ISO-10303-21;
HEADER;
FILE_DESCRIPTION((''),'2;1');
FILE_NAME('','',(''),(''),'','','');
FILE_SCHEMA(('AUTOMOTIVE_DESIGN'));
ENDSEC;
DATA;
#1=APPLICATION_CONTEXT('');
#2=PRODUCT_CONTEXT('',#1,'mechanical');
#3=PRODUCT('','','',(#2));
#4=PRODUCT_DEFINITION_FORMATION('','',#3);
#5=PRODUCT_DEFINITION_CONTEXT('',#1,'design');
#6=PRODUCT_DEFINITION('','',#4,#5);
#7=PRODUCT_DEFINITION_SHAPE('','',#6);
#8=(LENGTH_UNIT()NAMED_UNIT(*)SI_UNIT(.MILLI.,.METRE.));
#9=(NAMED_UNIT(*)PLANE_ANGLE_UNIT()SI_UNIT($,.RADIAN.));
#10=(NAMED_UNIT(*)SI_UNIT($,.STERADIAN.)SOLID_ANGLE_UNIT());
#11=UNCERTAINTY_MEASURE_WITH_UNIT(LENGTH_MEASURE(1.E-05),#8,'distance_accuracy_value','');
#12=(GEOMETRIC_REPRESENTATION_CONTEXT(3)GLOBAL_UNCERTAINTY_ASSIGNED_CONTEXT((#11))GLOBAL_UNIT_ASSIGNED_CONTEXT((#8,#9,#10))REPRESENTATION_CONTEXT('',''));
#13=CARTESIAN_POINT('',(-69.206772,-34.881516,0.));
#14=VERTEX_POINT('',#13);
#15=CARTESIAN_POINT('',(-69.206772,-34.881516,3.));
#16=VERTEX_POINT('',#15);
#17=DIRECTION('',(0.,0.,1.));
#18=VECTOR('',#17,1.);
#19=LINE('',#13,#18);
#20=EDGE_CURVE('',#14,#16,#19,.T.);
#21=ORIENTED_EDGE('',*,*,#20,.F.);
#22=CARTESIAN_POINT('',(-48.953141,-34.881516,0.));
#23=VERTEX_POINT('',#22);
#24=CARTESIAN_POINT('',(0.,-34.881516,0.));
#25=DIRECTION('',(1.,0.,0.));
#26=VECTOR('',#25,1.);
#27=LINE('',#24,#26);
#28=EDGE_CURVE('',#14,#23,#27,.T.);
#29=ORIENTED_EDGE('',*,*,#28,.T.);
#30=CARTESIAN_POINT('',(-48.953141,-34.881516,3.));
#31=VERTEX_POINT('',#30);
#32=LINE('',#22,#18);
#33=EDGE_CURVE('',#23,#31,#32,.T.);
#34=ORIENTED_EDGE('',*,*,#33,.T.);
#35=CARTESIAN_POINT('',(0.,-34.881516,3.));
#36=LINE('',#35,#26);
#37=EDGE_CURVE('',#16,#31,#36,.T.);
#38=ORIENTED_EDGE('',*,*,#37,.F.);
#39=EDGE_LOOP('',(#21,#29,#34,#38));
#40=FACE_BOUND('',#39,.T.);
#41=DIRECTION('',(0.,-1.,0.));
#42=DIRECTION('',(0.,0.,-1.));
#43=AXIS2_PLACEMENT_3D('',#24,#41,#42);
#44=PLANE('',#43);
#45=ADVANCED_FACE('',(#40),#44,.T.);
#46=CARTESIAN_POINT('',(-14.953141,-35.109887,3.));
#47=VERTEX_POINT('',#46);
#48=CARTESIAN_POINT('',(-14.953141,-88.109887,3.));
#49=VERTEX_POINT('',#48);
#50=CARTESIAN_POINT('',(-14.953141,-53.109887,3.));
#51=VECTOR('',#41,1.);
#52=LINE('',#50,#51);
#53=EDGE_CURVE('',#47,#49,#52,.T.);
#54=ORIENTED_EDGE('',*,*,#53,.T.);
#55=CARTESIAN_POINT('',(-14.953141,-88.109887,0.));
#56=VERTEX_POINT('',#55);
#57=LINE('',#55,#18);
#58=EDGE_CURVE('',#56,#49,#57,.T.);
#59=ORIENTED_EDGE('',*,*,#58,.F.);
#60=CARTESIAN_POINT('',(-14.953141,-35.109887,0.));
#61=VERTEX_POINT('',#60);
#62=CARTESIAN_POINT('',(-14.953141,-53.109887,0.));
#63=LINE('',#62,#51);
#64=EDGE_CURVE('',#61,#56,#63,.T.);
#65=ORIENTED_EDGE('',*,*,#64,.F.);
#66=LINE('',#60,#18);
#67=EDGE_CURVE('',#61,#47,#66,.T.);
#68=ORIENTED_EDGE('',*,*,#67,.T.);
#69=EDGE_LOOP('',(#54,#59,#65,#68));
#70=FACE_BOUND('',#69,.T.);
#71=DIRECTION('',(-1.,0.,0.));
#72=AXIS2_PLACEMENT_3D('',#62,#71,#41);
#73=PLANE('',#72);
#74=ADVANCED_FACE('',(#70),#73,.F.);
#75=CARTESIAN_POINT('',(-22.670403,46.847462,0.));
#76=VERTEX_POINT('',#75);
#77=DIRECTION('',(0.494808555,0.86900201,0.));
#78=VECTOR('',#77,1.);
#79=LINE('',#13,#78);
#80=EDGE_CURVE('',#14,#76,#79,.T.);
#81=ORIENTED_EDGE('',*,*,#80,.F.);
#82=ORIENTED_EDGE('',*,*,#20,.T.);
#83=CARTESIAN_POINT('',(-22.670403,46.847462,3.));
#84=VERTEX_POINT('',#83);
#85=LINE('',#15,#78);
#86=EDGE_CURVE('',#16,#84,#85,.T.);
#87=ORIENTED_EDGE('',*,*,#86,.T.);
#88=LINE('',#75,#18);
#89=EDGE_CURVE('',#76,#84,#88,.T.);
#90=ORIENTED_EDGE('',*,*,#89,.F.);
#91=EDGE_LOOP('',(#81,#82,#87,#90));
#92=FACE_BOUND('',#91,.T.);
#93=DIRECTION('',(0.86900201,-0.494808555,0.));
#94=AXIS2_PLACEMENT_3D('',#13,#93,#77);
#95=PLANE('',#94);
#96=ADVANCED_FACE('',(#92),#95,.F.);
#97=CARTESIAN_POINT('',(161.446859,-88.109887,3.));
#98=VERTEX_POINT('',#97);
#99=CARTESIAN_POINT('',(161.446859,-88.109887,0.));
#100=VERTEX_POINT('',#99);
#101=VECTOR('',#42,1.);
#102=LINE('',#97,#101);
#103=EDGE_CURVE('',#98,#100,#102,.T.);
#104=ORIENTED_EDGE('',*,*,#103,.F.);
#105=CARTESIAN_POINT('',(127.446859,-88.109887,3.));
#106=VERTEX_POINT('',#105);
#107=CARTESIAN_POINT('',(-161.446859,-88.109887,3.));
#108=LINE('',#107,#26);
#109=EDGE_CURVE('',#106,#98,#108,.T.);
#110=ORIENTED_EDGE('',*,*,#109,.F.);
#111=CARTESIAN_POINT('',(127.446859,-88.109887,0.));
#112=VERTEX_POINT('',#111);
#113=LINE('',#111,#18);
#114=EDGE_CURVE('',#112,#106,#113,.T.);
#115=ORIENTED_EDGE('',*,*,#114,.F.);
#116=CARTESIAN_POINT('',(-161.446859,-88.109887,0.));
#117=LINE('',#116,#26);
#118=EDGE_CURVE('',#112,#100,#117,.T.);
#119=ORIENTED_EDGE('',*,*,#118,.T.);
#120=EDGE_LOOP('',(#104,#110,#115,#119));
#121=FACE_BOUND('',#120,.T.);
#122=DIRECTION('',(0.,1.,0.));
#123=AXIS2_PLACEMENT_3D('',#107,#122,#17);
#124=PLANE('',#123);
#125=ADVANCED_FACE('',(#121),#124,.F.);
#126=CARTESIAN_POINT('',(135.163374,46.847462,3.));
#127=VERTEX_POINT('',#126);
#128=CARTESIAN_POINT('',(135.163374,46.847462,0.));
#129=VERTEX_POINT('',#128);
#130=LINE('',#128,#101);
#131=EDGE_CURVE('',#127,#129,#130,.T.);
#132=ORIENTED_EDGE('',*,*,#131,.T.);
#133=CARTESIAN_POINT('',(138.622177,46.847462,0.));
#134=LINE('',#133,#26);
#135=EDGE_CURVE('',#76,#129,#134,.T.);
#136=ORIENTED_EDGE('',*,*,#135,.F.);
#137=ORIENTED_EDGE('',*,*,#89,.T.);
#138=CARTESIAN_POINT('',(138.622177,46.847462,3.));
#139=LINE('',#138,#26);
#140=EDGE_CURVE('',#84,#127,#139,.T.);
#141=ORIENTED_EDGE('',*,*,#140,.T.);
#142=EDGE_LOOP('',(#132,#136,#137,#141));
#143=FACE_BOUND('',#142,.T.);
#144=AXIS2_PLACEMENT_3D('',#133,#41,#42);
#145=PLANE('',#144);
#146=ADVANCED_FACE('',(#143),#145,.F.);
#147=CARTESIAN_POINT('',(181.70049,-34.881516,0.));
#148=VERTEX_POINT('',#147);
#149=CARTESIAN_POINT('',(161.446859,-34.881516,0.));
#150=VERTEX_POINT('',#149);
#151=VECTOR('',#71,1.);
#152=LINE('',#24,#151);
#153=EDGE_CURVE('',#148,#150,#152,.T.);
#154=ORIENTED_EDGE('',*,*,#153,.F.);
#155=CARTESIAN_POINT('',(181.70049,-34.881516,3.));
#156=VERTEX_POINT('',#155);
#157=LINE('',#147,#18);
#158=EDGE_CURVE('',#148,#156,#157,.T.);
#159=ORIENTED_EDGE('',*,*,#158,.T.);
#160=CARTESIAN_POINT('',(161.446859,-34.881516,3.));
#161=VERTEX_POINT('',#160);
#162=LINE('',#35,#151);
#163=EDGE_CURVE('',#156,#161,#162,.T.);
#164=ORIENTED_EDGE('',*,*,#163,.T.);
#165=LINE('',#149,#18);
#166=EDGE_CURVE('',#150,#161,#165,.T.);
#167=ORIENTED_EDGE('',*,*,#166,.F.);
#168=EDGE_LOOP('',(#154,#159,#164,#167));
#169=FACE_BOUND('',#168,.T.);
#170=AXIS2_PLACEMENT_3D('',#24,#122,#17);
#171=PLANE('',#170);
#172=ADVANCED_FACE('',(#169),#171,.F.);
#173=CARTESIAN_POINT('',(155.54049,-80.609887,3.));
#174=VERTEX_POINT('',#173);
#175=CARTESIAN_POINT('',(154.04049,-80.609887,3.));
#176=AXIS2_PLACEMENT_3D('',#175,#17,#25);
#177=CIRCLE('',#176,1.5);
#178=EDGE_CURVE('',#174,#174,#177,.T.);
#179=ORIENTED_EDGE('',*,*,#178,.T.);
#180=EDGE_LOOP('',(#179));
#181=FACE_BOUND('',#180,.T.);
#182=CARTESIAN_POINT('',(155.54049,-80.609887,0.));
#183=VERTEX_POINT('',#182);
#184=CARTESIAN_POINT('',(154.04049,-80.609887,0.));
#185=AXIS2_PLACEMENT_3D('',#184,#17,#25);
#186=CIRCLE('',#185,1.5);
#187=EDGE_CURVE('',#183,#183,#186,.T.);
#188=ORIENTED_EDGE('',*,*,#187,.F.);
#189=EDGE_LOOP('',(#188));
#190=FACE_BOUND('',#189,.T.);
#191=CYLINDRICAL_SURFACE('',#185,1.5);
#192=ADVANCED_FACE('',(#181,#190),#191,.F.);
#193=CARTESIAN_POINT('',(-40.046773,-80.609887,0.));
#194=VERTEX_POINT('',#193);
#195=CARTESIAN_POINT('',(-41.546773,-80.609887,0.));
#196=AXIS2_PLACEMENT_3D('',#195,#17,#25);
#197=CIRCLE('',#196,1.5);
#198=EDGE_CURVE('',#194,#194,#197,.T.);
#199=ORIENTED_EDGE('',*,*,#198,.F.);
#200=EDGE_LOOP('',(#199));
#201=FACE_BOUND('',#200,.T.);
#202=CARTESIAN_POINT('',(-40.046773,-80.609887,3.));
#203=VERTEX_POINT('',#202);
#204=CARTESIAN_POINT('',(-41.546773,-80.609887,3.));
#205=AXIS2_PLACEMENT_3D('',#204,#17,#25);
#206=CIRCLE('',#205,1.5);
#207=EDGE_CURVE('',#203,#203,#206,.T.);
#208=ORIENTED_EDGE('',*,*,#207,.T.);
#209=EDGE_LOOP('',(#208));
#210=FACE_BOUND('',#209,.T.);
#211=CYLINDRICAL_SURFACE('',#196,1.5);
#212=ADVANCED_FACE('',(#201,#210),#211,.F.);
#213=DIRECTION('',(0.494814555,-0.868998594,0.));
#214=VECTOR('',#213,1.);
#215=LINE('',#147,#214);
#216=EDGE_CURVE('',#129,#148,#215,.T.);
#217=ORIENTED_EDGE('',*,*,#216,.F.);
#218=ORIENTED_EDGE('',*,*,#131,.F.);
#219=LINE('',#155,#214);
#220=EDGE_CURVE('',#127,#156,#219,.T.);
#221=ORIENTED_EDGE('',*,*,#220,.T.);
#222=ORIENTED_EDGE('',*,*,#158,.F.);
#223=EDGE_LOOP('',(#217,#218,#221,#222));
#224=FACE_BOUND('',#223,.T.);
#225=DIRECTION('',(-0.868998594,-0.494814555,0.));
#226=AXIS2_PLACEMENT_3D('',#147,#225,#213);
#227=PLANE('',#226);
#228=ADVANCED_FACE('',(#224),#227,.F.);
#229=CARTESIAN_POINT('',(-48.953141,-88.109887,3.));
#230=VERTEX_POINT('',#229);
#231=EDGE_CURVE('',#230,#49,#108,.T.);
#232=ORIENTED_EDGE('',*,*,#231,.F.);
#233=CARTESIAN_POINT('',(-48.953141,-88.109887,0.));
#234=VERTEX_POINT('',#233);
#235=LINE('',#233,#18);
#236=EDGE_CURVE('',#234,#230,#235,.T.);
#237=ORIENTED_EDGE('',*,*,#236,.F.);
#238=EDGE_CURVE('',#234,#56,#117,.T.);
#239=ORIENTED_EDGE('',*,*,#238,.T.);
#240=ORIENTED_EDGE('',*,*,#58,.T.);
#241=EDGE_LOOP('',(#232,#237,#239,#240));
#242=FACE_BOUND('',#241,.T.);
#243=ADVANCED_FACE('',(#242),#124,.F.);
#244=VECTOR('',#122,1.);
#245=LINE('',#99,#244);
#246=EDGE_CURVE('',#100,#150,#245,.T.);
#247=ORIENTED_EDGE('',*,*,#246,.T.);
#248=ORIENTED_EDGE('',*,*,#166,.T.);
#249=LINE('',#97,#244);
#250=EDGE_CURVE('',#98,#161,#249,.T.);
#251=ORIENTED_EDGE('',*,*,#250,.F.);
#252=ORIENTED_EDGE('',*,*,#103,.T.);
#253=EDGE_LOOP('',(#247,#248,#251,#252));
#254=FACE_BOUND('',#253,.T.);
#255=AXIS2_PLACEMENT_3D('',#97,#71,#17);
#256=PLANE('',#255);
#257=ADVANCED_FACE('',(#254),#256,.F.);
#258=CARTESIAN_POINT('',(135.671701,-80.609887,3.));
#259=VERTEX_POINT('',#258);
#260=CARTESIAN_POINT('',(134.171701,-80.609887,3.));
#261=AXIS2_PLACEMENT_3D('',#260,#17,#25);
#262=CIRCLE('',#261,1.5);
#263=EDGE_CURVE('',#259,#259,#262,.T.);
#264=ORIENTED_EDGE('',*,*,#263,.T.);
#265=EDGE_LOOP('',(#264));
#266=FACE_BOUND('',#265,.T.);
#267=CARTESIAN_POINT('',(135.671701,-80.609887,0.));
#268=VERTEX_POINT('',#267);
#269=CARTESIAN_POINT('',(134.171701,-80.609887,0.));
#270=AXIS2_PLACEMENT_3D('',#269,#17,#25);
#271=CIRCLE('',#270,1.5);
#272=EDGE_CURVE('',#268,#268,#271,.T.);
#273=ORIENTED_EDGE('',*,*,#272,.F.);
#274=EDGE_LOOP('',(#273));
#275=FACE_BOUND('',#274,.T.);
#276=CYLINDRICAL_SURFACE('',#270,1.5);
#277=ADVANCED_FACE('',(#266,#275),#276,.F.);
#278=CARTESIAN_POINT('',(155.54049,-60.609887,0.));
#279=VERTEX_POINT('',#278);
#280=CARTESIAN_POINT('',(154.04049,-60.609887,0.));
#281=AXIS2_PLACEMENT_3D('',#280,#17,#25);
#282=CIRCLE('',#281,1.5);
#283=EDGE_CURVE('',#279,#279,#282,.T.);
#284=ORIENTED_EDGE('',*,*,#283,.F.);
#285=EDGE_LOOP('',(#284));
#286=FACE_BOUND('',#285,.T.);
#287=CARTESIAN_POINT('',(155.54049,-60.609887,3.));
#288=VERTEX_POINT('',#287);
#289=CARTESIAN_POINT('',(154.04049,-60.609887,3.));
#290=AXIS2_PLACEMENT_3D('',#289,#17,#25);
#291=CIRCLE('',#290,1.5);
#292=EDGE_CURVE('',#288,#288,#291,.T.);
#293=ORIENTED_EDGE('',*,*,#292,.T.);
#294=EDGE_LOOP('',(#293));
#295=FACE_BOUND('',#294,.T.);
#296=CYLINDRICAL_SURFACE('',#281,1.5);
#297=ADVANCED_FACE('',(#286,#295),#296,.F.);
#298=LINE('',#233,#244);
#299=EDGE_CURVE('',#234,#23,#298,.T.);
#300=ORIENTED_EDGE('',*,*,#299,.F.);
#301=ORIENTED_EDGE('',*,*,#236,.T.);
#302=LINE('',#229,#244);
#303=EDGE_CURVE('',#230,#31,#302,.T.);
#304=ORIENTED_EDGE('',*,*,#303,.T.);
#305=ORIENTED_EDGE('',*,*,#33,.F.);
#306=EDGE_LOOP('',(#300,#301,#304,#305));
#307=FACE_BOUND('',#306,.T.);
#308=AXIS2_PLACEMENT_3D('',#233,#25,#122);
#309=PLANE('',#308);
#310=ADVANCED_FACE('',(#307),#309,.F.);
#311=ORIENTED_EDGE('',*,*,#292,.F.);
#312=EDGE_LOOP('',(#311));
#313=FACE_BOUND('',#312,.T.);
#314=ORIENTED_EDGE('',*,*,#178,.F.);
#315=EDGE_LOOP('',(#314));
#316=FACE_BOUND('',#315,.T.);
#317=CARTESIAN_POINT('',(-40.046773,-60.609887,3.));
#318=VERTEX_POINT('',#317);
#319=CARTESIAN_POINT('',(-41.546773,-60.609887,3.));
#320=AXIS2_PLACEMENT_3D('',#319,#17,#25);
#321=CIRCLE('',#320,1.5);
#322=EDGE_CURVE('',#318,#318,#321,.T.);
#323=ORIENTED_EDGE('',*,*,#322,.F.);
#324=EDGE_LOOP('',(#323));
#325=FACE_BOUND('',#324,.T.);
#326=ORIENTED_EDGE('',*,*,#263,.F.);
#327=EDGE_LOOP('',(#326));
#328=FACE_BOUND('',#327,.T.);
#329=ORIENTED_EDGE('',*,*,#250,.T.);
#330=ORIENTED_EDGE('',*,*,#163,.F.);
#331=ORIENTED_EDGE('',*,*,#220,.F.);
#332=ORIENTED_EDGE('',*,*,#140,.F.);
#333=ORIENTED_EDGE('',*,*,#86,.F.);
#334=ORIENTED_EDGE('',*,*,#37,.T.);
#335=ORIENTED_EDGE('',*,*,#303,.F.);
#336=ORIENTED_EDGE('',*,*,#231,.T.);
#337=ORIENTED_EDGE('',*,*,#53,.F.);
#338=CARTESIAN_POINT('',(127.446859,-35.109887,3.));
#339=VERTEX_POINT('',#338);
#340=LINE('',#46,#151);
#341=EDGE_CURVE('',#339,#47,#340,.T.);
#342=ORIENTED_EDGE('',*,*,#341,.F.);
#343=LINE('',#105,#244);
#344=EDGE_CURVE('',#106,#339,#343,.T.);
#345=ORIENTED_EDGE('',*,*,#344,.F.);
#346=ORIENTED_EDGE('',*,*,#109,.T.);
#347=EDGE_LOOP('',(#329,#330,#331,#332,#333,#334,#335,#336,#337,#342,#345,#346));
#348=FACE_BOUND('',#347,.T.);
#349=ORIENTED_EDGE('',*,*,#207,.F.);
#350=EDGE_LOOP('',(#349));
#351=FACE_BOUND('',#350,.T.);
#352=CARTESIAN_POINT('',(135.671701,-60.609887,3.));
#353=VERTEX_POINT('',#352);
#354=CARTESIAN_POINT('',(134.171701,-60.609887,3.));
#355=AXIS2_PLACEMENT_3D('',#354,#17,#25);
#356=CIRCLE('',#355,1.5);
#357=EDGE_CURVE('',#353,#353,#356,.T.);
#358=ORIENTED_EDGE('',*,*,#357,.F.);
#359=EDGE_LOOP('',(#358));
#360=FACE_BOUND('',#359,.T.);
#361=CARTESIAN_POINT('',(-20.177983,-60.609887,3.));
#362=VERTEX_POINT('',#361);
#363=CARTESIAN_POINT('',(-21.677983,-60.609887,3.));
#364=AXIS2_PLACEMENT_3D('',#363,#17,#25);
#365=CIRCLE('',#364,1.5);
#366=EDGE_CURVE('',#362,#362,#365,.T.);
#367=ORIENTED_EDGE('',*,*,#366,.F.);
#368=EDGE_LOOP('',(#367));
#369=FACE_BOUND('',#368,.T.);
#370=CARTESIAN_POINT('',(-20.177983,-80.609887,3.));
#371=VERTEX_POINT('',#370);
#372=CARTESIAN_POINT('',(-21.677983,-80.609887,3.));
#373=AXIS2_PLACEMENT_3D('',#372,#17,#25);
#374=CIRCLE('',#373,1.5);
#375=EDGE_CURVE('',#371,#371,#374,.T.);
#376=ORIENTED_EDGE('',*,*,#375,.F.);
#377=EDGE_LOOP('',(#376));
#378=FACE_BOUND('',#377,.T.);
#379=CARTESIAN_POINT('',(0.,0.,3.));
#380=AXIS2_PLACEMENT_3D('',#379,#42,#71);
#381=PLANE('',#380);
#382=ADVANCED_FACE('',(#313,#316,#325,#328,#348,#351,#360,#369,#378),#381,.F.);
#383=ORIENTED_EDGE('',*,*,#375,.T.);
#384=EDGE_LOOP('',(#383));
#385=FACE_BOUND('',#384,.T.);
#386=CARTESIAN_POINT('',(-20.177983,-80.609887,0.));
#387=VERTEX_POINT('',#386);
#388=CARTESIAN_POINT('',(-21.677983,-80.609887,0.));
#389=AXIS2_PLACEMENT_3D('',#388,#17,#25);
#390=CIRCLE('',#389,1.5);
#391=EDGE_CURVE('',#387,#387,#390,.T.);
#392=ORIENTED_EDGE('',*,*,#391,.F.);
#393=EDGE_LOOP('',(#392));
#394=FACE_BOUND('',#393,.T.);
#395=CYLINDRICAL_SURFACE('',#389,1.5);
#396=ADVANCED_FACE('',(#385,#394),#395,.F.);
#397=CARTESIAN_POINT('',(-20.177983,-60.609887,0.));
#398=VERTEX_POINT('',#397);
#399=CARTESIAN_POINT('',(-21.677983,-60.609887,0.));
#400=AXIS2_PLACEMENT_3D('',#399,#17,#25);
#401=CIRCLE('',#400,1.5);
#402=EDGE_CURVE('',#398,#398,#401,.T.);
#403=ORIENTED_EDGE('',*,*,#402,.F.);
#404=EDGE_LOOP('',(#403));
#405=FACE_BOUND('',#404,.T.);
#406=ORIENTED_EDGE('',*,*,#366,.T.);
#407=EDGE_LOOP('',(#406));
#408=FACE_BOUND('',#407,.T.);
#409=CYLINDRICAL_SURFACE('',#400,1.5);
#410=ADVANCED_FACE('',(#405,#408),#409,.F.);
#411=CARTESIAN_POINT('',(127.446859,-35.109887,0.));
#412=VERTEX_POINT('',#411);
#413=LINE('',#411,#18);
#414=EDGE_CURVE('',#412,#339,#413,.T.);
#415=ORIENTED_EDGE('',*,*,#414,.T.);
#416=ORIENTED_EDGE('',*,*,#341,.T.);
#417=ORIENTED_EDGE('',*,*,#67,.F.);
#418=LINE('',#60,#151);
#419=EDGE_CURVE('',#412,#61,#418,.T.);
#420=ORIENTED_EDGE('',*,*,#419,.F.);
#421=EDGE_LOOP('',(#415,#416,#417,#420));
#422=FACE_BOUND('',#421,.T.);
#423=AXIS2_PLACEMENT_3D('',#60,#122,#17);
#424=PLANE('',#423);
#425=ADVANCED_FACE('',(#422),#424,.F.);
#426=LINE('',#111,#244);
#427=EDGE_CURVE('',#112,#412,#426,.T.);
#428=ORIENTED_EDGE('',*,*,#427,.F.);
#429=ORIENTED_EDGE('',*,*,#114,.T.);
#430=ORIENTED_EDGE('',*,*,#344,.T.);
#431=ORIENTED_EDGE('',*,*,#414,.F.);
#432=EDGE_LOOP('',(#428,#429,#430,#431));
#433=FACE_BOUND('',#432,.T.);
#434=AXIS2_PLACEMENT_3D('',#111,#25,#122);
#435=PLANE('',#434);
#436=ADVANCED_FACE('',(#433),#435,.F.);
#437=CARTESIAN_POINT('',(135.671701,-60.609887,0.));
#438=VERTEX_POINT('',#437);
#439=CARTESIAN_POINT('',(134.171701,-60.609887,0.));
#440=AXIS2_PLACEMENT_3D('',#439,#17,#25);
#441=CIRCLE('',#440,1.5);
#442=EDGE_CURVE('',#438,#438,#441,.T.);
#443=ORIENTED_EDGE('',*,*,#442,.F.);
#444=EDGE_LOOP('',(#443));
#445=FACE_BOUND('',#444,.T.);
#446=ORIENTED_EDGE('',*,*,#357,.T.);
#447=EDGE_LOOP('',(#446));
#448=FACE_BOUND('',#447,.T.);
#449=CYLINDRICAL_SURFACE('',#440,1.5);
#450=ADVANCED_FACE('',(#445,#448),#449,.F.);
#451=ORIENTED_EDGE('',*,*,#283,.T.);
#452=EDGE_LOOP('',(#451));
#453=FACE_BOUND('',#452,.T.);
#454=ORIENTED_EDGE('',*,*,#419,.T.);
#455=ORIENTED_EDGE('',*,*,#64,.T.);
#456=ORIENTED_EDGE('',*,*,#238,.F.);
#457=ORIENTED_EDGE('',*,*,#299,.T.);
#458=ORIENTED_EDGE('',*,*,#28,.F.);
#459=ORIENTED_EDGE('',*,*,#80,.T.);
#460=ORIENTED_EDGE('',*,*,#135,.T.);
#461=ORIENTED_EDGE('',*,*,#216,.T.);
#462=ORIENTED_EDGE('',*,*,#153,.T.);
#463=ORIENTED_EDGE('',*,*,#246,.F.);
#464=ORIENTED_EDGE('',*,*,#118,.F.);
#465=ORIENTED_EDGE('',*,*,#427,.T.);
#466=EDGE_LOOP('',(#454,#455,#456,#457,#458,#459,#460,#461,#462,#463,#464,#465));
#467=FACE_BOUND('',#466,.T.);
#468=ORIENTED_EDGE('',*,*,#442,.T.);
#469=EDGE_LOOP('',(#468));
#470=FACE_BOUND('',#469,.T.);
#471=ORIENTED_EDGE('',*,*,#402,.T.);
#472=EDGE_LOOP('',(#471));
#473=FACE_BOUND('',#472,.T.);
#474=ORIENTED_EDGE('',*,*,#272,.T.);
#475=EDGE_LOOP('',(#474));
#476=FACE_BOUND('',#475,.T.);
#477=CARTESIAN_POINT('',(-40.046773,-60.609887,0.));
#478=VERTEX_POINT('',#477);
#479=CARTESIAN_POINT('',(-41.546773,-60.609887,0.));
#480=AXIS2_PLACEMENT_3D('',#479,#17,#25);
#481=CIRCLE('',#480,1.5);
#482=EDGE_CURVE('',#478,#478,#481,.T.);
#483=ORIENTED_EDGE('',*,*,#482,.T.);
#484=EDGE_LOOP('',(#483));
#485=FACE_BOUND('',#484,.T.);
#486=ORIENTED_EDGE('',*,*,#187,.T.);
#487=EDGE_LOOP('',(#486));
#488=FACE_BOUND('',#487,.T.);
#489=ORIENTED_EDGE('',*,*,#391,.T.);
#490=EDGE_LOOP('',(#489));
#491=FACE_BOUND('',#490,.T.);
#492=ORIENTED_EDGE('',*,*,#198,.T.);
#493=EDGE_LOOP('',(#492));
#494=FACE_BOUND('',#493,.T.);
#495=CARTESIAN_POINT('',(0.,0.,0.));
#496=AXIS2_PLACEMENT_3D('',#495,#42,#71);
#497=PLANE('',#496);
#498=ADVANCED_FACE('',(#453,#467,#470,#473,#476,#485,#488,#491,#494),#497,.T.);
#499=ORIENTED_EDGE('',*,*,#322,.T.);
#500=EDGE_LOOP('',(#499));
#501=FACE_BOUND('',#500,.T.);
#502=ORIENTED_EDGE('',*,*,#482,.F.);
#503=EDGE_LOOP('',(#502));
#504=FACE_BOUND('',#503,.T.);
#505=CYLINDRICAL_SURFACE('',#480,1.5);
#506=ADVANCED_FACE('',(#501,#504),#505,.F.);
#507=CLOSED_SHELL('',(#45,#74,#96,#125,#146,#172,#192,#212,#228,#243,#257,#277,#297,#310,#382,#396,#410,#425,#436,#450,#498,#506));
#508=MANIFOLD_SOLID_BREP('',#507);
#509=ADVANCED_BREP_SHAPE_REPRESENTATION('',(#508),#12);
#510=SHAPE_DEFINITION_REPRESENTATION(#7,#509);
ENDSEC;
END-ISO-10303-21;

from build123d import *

# Parameters (mm, degrees)
SKETCH_1_W          = 322.893717544
SKETCH_1_H          = 176.219773954
EXTRUDE_1_DEPTH     = 3
SKETCH_2_W          = 142.4
SKETCH_2_H          = 35
SKETCH_2_W_2        = 112.493717544
SKETCH_2_H_2        = 176.219773954
CUT_EXTRUDE_1_DEPTH = 3
SKETCH_4_W          = 142.4
SKETCH_4_H          = 18
CUT_EXTRUDE_2_DEPTH = 184.949559365
SKETCH_14_R         = 1.5
CUT_EXTRUDE_4_DEPTH = 184.949559365
EXTRUDE_3_DEPTH     = 3
CUT_EXTRUDE_5_DEPTH = 202.958956474
CUT_EXTRUDE_6_DEPTH = 202.958956474


with BuildPart() as part:
    # 草图1 → 凸台-拉伸1 (new body)
    with BuildSketch(Plane.XY):
        Rectangle(SKETCH_1_W, SKETCH_1_H)
    extrude(amount=EXTRUDE_1_DEPTH)

    # 草图2 → 切除-拉伸1 (cut)
    with BuildSketch(Plane.XY.offset(3)):
        with Locations((56.246858772, -70.609886977)):
            Rectangle(SKETCH_2_W, SKETCH_2_H)
        with Locations((-105.2, 0)):
            Rectangle(SKETCH_2_W_2, SKETCH_2_H_2)
    extrude(amount=-CUT_EXTRUDE_1_DEPTH, mode=Mode.SUBTRACT)

    # 草图4 → 切除-拉伸2 (cut, through all)
    with BuildSketch(Plane.XY.offset(3)):
        with Locations((56.246858772, -44.109886977)):
            Rectangle(SKETCH_4_W, SKETCH_4_H)
    extrude(amount=-CUT_EXTRUDE_2_DEPTH, mode=Mode.SUBTRACT)

    # 草图14 → 切除-拉伸4 (cut, through all)
    with BuildSketch(Plane.XY.offset(3)):
        with Locations((154.040490147, -60.609886977)):
            Circle(SKETCH_14_R)
        with Locations((154.040490147, -80.609886977)):
            Circle(SKETCH_14_R)
        with Locations((134.171700532, -60.609886977)):
            Circle(SKETCH_14_R)
        with Locations((134.171700532, -80.609886977)):
            Circle(SKETCH_14_R)
        with Locations((-21.677982988, -60.609886977)):
            Circle(SKETCH_14_R)
        with Locations((-21.677982988, -80.609886977)):
            Circle(SKETCH_14_R)
        with Locations((-41.546772603, -60.609886977)):
            Circle(SKETCH_14_R)
        with Locations((-41.546772603, -80.609886977)):
            Circle(SKETCH_14_R)
    extrude(amount=-CUT_EXTRUDE_4_DEPTH, mode=Mode.SUBTRACT)

    # 草图19 → 凸台-拉伸3 (add)
    with BuildSketch(Plane.XY.offset(3)):
        Polygon((-48.953141228, -34.8815165), (-48.953141228, 3.544050126), (-69.206772046, -34.8815165), align=None)
        Polygon((161.446858772, 3.544050126), (161.446858772, -34.8815165), (181.70048959, -34.8815165), align=None)
    extrude(amount=-EXTRUDE_3_DEPTH)

    # 草图20 → 切除-拉伸5 (cut, through all)
    with BuildSketch(Plane.XY.offset(3)):
        Polygon((-48.953141228, 3.544050126), (-48.953141228, 88.109886977), (161.446858772, 88.109886977), (161.446858772, 3.544050126), (138.622177289, 46.847462087), (-26.128459745, 46.847462087), align=None)
    extrude(amount=-CUT_EXTRUDE_5_DEPTH, mode=Mode.SUBTRACT)

    # 草图21 → 切除-拉伸6 (cut, through all)
    with BuildSketch(Plane.XY.offset(3)):
        Polygon((-69.206772046, -34.8815165), (-22.62920761, 46.919811864), (-26.128459745, 46.847462087), align=None)
        Polygon((181.70048959, -34.8815165), (135.122177289, 46.919811864), (138.622177289, 46.847462087), align=None)
    extrude(amount=-CUT_EXTRUDE_6_DEPTH, mode=Mode.SUBTRACT)


solid = part.part
